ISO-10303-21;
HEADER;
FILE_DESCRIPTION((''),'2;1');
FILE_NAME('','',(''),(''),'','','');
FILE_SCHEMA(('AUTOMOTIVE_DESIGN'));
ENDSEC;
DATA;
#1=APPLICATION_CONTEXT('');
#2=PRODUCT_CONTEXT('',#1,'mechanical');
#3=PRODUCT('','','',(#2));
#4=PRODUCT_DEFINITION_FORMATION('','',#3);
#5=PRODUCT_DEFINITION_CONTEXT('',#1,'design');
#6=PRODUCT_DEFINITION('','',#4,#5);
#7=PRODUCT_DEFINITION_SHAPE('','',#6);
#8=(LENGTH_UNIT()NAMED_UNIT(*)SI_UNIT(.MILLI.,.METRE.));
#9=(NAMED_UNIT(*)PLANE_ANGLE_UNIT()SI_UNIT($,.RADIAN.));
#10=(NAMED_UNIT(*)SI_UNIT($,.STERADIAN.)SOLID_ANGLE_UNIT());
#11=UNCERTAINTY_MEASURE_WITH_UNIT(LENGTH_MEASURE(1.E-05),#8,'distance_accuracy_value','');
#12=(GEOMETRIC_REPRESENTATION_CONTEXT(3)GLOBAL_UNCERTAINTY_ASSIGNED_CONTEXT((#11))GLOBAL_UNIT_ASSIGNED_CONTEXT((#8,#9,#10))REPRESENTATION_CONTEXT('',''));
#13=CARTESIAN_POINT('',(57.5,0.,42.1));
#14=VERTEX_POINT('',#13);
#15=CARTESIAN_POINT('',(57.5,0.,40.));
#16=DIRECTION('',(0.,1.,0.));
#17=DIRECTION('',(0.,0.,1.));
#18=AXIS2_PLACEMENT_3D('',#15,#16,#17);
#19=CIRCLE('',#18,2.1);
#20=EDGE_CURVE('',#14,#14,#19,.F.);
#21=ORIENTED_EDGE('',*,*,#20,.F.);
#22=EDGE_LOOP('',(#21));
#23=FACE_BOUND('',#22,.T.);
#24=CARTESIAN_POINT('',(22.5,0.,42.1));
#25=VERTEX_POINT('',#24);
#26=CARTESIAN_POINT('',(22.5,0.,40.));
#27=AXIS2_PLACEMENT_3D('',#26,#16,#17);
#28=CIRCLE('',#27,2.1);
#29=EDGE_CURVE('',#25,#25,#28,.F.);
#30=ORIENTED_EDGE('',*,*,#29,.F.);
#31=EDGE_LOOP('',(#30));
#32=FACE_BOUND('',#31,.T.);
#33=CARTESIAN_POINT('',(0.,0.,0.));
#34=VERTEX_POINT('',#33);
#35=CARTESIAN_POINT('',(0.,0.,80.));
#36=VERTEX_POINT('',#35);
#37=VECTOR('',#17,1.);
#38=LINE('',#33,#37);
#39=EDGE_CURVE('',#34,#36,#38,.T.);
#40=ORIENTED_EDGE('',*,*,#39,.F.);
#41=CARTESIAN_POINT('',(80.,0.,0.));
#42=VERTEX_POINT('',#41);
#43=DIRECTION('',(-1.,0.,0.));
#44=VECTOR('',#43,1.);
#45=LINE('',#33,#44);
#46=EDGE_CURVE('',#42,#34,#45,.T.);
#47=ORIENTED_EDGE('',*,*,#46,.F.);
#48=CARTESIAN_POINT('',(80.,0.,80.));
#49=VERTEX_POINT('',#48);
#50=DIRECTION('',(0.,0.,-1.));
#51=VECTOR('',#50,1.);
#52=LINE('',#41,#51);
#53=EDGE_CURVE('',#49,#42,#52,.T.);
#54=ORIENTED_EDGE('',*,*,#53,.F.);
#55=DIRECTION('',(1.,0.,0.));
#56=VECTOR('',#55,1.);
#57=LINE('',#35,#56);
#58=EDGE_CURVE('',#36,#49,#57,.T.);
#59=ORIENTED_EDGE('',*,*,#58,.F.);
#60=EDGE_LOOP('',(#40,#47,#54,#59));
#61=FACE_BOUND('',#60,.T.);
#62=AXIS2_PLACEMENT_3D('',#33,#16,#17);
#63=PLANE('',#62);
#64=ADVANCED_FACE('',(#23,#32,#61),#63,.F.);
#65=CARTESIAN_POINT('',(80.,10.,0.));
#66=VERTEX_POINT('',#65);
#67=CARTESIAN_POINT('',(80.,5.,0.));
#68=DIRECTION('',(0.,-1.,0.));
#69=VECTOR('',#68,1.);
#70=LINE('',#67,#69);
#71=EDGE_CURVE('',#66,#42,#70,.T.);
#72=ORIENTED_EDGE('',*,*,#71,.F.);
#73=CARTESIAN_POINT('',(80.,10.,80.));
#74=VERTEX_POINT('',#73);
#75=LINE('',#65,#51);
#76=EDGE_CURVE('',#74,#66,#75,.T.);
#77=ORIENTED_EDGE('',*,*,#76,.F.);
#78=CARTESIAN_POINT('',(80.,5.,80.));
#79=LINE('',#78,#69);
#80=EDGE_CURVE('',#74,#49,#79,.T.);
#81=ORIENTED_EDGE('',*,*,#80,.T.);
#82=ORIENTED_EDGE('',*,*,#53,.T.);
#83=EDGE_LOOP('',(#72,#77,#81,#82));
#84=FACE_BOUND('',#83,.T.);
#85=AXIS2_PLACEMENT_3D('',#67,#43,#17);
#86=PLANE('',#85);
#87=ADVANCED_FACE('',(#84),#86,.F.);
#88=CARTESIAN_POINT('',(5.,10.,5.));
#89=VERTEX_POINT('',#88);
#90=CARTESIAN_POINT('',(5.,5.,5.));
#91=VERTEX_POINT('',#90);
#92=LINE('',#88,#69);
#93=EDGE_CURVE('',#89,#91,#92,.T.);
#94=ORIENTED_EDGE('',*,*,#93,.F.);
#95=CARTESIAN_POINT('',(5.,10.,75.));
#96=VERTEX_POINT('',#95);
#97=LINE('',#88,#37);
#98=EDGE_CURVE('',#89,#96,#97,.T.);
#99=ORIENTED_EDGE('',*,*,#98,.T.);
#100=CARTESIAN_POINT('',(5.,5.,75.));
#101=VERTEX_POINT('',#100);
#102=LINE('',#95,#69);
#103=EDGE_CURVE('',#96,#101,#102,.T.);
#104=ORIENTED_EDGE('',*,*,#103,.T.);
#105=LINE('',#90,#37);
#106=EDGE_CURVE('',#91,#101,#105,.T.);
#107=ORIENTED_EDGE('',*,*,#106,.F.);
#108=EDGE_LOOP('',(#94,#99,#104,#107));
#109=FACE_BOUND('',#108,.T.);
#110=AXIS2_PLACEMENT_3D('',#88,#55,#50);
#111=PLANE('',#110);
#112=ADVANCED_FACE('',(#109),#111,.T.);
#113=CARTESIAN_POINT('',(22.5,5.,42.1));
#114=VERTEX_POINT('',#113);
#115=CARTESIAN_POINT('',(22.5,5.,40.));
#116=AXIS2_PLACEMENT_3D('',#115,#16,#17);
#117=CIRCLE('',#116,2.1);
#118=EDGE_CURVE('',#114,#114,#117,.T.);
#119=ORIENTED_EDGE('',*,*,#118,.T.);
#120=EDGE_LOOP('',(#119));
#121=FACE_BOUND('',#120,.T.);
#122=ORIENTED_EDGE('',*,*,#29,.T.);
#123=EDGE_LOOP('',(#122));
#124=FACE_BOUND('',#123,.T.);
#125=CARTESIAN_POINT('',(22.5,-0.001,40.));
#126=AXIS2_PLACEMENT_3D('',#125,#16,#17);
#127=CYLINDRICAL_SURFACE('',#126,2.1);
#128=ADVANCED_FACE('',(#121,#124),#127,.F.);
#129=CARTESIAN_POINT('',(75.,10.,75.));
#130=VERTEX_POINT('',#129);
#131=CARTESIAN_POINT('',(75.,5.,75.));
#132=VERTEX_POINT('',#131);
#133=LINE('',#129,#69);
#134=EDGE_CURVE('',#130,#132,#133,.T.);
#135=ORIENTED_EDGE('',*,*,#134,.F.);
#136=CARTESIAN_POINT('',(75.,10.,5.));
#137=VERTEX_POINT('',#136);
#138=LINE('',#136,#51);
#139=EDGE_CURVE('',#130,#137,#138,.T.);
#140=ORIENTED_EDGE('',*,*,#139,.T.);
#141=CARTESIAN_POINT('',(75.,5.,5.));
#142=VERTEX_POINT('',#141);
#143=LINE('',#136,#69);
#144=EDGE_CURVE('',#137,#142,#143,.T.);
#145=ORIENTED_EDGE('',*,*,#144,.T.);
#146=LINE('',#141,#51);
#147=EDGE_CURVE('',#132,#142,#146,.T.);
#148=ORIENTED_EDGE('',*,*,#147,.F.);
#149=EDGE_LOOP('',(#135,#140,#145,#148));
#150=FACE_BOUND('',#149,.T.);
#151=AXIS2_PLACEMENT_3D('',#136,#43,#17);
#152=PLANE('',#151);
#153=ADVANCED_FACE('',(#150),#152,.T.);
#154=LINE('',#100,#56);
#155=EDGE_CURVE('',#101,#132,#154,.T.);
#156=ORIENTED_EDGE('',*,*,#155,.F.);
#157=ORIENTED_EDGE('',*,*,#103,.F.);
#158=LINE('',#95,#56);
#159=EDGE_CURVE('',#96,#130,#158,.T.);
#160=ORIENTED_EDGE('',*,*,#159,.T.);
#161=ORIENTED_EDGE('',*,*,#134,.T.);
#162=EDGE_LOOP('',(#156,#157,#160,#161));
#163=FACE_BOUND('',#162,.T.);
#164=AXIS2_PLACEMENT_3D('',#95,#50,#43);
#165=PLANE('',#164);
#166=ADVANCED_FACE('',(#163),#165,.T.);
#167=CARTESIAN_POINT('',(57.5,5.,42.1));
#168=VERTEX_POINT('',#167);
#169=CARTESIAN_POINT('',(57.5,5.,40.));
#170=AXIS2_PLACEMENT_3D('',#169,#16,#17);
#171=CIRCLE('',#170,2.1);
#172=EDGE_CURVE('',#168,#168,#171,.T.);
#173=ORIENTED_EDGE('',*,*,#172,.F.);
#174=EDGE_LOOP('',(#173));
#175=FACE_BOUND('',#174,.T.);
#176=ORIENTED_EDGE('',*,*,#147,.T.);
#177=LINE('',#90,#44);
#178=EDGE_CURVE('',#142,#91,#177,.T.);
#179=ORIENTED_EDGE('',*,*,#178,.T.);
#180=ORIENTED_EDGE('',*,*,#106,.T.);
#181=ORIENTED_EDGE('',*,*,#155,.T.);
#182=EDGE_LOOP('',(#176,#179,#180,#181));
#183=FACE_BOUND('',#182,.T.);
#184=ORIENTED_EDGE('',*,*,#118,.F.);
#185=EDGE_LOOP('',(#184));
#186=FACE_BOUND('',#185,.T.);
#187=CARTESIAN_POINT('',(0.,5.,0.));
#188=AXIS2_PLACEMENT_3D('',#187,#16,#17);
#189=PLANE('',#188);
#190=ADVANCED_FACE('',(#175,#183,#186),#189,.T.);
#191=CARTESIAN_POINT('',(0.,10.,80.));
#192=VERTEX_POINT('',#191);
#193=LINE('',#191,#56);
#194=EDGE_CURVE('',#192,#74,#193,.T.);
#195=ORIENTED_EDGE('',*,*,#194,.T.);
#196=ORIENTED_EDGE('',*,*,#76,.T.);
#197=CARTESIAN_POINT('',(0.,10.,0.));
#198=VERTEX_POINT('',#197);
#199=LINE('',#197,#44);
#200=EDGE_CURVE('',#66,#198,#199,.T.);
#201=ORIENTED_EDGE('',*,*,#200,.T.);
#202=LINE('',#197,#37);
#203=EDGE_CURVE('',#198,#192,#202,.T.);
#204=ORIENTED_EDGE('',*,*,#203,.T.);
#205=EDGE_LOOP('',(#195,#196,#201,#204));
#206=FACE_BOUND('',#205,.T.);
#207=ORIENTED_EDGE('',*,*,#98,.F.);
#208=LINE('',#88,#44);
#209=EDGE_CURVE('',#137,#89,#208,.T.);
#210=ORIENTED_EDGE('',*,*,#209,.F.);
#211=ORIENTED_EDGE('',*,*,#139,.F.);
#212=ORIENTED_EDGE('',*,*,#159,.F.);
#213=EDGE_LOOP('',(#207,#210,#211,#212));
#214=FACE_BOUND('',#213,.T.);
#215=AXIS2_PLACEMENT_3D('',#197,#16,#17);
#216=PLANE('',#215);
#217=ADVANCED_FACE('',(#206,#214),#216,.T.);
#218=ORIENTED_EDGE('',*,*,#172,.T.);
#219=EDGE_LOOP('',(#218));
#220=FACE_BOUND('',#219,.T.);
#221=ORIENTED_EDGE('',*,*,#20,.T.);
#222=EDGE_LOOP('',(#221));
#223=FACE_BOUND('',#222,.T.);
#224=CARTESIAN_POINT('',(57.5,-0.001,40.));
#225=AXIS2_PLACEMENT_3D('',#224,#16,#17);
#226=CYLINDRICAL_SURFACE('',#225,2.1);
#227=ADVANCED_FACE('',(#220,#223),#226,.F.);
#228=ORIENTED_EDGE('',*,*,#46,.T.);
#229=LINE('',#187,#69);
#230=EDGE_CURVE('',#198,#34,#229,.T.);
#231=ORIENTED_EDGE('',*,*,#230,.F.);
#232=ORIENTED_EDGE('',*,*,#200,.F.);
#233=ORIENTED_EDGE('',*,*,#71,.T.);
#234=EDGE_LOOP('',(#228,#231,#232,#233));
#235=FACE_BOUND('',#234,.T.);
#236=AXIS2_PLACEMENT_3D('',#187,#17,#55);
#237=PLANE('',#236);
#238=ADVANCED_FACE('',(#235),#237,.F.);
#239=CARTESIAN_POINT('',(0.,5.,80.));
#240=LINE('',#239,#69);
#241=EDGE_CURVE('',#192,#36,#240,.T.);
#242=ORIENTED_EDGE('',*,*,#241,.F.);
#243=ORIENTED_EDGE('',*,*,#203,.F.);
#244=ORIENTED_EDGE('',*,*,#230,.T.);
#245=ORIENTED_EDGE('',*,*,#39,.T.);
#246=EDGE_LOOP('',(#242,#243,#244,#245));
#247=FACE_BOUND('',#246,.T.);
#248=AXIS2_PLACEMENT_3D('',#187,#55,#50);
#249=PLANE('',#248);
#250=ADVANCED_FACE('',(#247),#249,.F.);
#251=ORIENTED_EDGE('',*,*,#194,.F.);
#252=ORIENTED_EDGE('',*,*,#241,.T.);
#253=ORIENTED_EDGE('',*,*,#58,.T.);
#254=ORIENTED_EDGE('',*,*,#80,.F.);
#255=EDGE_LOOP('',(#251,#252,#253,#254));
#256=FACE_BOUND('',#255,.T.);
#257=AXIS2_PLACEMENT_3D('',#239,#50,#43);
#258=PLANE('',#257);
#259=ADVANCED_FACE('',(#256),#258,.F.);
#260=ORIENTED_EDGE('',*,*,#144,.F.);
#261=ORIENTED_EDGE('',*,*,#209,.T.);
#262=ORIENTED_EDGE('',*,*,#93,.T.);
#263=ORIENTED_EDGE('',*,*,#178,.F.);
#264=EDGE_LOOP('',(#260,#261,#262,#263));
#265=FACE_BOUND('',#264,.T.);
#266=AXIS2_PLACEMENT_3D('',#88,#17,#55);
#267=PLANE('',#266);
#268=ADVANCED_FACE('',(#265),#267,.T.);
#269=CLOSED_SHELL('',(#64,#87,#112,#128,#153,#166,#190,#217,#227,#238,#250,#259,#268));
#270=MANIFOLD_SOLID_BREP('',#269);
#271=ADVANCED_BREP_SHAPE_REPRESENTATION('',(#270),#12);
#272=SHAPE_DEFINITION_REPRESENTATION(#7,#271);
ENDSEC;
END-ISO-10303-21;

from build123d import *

# Parameters (mm, degrees)
SKETCH1_W           = 80
SKETCH1_H           = 80
BOSS_EXTRUDE1_DEPTH = 5
SKETCH2_W           = 80
SKETCH2_H           = 80
SKETCH2_W_2         = 70
SKETCH2_H_2         = 70
BOSS_EXTRUDE2_DEPTH = 5
CUT_EXTRUDE1_REACH  = 7
SKETCH3_R           = 2.1


with BuildPart() as part:
    # Sketch1 → Boss-Extrude1 (new body)
    with BuildSketch(Plane(origin=(0, 0, 0), x_dir=(1, 0, 0), z_dir=(0, 1, 0))):
        with Locations((40, -40)):
            Rectangle(SKETCH1_W, SKETCH1_H)
    extrude(amount=BOSS_EXTRUDE1_DEPTH)

    # Sketch2 → Boss-Extrude2 (add)
    with BuildSketch(Plane(origin=(0, 5, 0), x_dir=(1, 0, 0), z_dir=(0, 1, 0))):
        with Locations((40, -40)):
            Rectangle(SKETCH2_W, SKETCH2_H)
        with Locations((40, -40)):
            Rectangle(SKETCH2_W_2, SKETCH2_H_2, mode=Mode.SUBTRACT)
    extrude(amount=BOSS_EXTRUDE2_DEPTH)

    # Sketch3 → Cut-Extrude1 (cut, up to next)
    with BuildSketch(Plane(origin=(0, 5, 0), x_dir=(1, 0, 0), z_dir=(0, 1, 0)), mode=Mode.PRIVATE) as cut_extrude1_sk1:
        with Locations((22.5, -40)):
            Circle(SKETCH3_R)
    cut_extrude1_tool1 = extrude(cut_extrude1_sk1.sketch, amount=-CUT_EXTRUDE1_REACH, mode=Mode.PRIVATE) & part.part
    add(cut_extrude1_tool1.solids().sort_by_distance((22.5, 5, 40))[0], mode=Mode.SUBTRACT)
    # Sketch3 → Cut-Extrude1 (cut, up to next)
    with BuildSketch(Plane(origin=(0, 5, 0), x_dir=(1, 0, 0), z_dir=(0, 1, 0)), mode=Mode.PRIVATE) as cut_extrude1_sk2:
        with Locations((57.5, -40)):
            Circle(SKETCH3_R)
    cut_extrude1_tool2 = extrude(cut_extrude1_sk2.sketch, amount=-CUT_EXTRUDE1_REACH, mode=Mode.PRIVATE) & part.part
    add(cut_extrude1_tool2.solids().sort_by_distance((57.5, 5, 40))[0], mode=Mode.SUBTRACT)


solid = part.part
